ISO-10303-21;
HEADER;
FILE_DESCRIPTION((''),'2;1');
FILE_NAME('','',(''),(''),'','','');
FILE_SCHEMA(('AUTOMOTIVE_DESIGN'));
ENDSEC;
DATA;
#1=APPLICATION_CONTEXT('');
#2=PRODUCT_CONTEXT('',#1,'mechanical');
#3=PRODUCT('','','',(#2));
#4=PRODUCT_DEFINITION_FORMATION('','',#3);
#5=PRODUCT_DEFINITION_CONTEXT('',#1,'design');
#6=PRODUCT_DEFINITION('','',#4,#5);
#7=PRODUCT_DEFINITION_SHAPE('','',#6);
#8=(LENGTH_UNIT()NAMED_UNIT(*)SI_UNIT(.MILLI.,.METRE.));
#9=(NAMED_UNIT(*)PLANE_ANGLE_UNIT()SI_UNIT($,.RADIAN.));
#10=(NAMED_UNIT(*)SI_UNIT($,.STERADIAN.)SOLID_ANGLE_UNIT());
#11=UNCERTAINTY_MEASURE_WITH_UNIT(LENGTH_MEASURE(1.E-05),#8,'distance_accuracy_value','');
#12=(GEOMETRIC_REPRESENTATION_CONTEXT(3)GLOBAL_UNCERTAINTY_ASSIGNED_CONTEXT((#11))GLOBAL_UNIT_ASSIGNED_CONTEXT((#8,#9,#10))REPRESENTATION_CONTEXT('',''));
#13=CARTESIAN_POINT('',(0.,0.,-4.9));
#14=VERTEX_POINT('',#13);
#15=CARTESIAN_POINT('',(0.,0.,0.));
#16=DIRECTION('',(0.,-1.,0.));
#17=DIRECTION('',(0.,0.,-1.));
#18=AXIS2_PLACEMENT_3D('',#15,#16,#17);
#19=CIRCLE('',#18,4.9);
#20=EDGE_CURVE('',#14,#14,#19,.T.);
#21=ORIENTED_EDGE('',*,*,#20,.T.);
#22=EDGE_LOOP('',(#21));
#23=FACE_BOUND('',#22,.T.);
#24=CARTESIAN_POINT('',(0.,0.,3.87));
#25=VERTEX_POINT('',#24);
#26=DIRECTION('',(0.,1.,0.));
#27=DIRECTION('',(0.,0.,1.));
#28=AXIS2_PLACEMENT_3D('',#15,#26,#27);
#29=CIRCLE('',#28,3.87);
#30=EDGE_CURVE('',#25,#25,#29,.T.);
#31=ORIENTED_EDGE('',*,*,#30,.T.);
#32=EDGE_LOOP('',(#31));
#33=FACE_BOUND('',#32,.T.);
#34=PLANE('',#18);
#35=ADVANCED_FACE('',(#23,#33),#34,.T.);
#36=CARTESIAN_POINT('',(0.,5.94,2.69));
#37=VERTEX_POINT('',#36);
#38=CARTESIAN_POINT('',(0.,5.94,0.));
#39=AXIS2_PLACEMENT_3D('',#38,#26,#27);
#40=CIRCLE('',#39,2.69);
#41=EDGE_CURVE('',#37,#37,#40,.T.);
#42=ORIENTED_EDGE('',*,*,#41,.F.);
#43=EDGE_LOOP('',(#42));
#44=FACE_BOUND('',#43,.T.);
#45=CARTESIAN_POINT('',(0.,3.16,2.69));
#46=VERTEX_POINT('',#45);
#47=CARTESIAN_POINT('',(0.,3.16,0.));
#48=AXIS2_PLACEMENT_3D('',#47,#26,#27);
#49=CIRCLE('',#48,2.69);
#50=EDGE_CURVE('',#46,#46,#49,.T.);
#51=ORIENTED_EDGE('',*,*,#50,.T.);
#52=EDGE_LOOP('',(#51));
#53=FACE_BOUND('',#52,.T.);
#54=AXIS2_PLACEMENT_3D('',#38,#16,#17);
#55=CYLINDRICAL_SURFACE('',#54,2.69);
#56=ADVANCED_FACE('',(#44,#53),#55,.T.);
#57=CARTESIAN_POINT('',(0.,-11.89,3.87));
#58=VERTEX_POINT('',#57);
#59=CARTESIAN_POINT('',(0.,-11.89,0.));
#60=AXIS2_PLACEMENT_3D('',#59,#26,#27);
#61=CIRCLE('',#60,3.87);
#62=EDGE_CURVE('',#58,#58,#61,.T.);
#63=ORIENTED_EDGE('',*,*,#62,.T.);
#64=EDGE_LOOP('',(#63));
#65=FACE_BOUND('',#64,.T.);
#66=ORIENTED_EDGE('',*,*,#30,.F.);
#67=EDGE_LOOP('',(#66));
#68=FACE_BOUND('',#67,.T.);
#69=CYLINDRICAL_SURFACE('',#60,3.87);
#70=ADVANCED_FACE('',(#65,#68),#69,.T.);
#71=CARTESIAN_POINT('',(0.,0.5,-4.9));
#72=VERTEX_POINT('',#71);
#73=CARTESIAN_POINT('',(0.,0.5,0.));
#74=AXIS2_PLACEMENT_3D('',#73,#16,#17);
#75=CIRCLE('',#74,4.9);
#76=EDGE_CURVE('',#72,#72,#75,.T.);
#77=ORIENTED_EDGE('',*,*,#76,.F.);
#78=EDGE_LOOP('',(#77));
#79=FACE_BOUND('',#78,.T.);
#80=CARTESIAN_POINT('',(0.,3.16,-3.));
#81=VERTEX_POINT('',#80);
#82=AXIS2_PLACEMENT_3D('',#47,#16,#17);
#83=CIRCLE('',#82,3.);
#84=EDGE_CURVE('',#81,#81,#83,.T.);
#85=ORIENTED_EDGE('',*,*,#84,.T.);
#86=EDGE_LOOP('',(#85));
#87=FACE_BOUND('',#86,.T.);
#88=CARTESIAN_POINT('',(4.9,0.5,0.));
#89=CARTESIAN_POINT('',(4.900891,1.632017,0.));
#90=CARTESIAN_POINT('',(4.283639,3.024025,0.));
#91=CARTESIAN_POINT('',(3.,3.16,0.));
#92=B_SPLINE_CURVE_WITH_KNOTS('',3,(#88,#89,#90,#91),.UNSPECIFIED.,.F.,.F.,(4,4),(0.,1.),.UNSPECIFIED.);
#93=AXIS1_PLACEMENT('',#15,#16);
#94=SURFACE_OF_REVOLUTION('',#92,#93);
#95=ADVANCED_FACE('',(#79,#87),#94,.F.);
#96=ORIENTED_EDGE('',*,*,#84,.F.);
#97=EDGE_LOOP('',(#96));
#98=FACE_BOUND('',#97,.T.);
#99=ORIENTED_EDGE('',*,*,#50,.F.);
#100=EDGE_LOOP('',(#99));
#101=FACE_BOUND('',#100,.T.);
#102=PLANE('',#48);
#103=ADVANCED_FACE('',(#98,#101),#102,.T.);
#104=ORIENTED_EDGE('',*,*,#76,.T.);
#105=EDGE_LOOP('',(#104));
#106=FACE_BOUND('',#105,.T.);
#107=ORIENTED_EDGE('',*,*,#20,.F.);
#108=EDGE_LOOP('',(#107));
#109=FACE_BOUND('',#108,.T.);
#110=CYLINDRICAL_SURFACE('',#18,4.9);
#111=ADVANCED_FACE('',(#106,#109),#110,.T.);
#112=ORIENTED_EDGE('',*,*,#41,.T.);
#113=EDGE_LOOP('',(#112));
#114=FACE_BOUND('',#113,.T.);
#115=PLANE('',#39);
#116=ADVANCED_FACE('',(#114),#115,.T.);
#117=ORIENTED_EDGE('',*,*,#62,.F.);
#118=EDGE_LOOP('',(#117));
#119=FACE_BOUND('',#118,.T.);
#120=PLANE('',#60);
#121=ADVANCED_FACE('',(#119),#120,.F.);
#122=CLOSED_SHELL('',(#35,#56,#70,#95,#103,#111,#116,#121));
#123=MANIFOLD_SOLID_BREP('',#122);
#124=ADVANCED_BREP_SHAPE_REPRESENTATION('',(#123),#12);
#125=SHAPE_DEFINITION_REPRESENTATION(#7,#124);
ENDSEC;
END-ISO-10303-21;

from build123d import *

# Parameters (mm, degrees)
SKETCH1_R           = 3.87
BOSS_EXTRUDE1_DEPTH = 11.89
SKETCH4_R           = 2.69
BOSS_EXTRUDE2_DEPTH = 2.78


with BuildPart() as part:
    # Sketch1 → Boss-Extrude1 (new body)
    with BuildSketch(Plane(origin=(0, 0, 0), x_dir=(1, 0, 0), z_dir=(0, 1, 0))):
        Circle(SKETCH1_R)
    extrude(amount=-BOSS_EXTRUDE1_DEPTH)

    # Sketch3 → Revolve1 (revolve)
    with BuildSketch(Plane.XY):
        with BuildLine():
            Line((0, 0), (0, 3.16))
            Line((0, 3.16), (3, 3.16))
            add(Edge.make_bspline(
                [(3, 3.16), (4.283639475, 3.024024765), (4.900890598, 1.632016655), (4.9, 0.5)],
                knots=[0, 0, 0, 0, 1, 1, 1, 1], degree=3))
            Line((4.9, 0.5), (4.9, 0))
            Line((4.9, 0), (0, 0))
        make_face()
    revolve(axis=Axis((0, 0, 0), (0, 1, 0)))

    # Sketch4 → Boss-Extrude2 (add)
    with BuildSketch(Plane(origin=(0, 3.16, 0), x_dir=(1, 0, 0), z_dir=(0, 1, 0))):
        Circle(SKETCH4_R)
    extrude(amount=BOSS_EXTRUDE2_DEPTH)


solid = part.part
